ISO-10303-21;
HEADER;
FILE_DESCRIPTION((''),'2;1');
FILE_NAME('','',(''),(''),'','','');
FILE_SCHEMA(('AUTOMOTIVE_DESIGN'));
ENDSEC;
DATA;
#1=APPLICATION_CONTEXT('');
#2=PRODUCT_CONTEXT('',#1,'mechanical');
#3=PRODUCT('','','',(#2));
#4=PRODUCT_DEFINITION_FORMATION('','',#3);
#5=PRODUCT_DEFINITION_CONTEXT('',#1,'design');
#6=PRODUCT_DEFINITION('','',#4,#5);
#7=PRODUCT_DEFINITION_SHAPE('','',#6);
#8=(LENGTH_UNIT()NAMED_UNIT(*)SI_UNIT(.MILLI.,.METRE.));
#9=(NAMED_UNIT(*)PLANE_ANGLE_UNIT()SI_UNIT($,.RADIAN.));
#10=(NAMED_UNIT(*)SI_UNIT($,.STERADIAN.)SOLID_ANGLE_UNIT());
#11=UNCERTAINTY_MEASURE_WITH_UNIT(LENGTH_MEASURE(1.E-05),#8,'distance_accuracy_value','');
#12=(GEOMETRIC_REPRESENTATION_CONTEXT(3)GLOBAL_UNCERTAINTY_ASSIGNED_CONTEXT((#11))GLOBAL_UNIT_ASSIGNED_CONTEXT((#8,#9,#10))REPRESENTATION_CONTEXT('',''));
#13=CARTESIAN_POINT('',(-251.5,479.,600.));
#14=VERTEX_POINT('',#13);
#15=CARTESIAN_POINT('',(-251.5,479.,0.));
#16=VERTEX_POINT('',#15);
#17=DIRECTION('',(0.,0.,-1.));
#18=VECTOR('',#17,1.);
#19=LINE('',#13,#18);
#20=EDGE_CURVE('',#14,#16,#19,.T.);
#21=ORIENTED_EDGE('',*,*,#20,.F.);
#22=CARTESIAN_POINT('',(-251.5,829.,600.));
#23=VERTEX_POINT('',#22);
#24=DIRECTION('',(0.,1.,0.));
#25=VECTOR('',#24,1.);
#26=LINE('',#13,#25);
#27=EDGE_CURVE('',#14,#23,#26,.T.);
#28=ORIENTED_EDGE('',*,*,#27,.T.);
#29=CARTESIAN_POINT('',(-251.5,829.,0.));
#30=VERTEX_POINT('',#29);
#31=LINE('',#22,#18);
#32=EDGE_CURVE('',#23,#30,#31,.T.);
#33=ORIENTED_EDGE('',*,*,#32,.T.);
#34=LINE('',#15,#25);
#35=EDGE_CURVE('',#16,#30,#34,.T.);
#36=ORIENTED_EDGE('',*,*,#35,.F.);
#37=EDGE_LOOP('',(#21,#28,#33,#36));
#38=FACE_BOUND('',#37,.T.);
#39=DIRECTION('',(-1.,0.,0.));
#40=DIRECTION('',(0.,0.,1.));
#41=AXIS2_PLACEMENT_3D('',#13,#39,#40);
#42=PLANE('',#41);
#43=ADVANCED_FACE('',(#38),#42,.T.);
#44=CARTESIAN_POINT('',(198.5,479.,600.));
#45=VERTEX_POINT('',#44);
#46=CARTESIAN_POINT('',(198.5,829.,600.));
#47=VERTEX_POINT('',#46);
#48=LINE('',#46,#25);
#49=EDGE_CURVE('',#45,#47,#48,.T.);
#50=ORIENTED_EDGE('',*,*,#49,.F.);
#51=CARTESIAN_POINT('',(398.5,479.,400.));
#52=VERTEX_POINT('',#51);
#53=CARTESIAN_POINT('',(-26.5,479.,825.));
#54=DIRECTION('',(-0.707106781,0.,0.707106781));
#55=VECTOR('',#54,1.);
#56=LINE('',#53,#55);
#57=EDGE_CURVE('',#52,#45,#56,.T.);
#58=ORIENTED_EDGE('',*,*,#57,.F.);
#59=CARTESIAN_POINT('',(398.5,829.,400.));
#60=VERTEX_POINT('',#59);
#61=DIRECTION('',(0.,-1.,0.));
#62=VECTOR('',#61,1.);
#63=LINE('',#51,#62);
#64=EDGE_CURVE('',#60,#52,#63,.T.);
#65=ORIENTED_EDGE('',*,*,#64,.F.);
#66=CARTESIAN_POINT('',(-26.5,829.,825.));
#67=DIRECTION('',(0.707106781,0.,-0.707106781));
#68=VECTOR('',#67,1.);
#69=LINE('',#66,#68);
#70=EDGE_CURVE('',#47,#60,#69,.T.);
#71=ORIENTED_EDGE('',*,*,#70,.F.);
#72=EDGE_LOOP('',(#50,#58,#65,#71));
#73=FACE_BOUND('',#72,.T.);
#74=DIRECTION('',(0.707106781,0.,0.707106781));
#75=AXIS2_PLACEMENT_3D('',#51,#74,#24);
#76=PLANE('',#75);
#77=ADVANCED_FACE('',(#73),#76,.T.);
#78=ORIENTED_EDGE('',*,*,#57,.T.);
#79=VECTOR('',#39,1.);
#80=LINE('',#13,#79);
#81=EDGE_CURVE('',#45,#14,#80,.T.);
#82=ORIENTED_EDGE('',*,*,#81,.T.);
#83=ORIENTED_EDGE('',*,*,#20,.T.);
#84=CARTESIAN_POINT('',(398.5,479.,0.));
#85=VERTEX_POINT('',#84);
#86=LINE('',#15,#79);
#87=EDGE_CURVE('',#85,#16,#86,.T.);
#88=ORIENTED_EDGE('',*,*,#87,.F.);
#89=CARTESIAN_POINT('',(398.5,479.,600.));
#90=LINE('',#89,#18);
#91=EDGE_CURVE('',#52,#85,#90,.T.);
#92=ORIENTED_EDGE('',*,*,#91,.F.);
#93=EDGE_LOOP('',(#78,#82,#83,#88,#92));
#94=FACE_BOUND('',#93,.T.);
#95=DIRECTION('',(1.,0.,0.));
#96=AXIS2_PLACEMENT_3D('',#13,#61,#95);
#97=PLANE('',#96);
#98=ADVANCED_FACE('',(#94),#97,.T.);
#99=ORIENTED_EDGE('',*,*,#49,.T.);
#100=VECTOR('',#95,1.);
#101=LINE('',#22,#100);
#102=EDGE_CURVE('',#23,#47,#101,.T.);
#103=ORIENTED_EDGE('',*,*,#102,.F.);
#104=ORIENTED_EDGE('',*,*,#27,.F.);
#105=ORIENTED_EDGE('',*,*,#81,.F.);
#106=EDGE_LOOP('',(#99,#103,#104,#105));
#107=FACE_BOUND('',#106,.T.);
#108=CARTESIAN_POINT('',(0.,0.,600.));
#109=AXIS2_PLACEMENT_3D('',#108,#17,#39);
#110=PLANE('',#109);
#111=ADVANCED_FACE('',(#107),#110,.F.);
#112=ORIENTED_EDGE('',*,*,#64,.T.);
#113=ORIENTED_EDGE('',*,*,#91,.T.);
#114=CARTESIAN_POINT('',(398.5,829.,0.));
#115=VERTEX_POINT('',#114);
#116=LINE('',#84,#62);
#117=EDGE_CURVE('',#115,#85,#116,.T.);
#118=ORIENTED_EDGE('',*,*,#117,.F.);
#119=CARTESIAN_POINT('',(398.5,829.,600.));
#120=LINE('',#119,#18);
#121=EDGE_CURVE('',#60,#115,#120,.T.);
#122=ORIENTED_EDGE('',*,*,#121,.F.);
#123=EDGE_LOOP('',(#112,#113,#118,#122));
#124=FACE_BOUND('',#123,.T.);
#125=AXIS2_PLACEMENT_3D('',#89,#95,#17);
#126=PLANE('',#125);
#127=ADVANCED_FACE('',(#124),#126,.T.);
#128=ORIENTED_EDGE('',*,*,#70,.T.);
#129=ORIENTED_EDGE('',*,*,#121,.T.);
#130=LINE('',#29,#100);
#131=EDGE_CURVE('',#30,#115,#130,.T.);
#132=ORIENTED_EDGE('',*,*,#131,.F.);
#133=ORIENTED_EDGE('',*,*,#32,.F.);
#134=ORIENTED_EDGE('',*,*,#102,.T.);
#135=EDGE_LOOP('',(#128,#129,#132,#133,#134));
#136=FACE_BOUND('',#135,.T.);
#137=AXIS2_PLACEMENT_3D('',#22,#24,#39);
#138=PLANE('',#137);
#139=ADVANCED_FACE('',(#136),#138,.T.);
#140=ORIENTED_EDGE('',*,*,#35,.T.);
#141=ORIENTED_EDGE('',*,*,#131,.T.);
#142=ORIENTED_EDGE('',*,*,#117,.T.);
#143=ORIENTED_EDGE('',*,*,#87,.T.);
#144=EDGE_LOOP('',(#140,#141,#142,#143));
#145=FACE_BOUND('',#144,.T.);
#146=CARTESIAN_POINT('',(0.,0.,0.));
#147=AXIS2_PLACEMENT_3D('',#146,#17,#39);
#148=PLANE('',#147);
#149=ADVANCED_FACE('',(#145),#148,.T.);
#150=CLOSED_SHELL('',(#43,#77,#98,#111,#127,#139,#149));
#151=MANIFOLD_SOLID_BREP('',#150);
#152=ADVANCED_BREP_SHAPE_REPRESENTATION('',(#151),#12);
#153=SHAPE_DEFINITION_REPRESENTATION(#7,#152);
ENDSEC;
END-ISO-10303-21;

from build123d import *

# Parameters (mm, degrees)
SKETCH_1_W          = 503
SKETCH_1_H          = 558
EXTRUDE_1_DEPTH     = 865
SKETCH_2_W          = 200
SKETCH_2_H          = 398
CUT_EXTRUDE_1_DEPTH = 1039.785348376
SKETCH_3_W          = 94
SKETCH_3_H          = 148
CUT_EXTRUDE_2_DEPTH = 1039.785348376
SKETCH_5_W          = 650
SKETCH_5_H          = 350
EXTRUDE_3_DEPTH     = 600
CHAMFER_1_SIZE      = 200
SKETCH_6_W          = 1000
SKETCH_6_H          = 4830
EXTRUDE_4_DEPTH     = 30
SKETCH_7_W          = 625.774769939
SKETCH_7_H          = 5017.85714808
CUT_EXTRUDE_3_DEPTH = 3931.092365327
SKETCH_8_W          = 1324.574856274
SKETCH_8_H          = 1226.736940753
CUT_EXTRUDE_4_DEPTH = 1300.413329161


with BuildPart() as part:
    # 草图1 → 凸台-拉伸1 (new body)
    with BuildSketch(Plane.XY):
        Rectangle(SKETCH_1_W, SKETCH_1_H)
    extrude(amount=EXTRUDE_1_DEPTH)

    # 草图2 → 切除-拉伸1 (cut, through all)
    with BuildSketch(Plane(origin=(251.5, 0, 0), x_dir=(0, 0, -1), z_dir=(1, 0, 0))):
        Rectangle(SKETCH_2_W, SKETCH_2_H)
    extrude(amount=-CUT_EXTRUDE_1_DEPTH, mode=Mode.SUBTRACT)

    # 草图3 → 切除-拉伸2 (cut, through all)
    with BuildSketch(Plane(origin=(251.5, 0, 0), x_dir=(0, 0, -1), z_dir=(1, 0, 0))):
        with Locations((-53, -279)):
            Rectangle(SKETCH_3_W, SKETCH_3_H)
    cut_extrude_2 = extrude(amount=-CUT_EXTRUDE_2_DEPTH, mode=Mode.SUBTRACT)

    # 镜向1: 切除-拉伸2 across plane
    add(cut_extrude_2.mirror(Plane.ZX), mode=Mode.SUBTRACT)

    # 草图8 → 切除-拉伸4 (cut, through all)
    with BuildSketch(Plane(origin=(251.5, 0, 0), x_dir=(0, 0, -1), z_dir=(1, 0, 0))):
        with Locations((-463.569646277, -264.855691223)):
            Rectangle(SKETCH_8_W, SKETCH_8_H)
    extrude(amount=-CUT_EXTRUDE_4_DEPTH, mode=Mode.SUBTRACT)


with BuildPart() as body_2:
    # 草图5 → 凸台-拉伸3 (new body)
    with BuildSketch(Plane(origin=(0, 0, 0), x_dir=(-1, 0, 0), z_dir=(0, 0, -1))):
        with Locations((-73.5, 654)):
            Rectangle(SKETCH_5_W, SKETCH_5_H)
    extrude(amount=-EXTRUDE_3_DEPTH)

    # 倒角1
    chamfer_1_edges = [body_2.edges().sort_by_distance(p)[0] for p in [
        (398.5, 654, 600),
    ]]
    chamfer(chamfer_1_edges, length=CHAMFER_1_SIZE)


with BuildPart() as body_3:
    # 草图6 → 凸台-拉伸4 (new body)
    with BuildSketch(Plane(origin=(0, 0, 0), x_dir=(-1, 0, 0), z_dir=(0, 0, -1))):
        with Locations((-248.5, -1286)):
            Rectangle(SKETCH_6_W, SKETCH_6_H)
    extrude(amount=EXTRUDE_4_DEPTH)

    # 草图7 → 切除-拉伸3 (cut, through all)
    with BuildSketch(Plane(origin=(748.5, 0, 0), x_dir=(0, 0, -1), z_dir=(1, 0, 0))):
        with Locations((312.88738497, -1379.92857404)):
            Rectangle(SKETCH_7_W, SKETCH_7_H)
    extrude(amount=-CUT_EXTRUDE_3_DEPTH, mode=Mode.SUBTRACT)


solid = body_2.part
